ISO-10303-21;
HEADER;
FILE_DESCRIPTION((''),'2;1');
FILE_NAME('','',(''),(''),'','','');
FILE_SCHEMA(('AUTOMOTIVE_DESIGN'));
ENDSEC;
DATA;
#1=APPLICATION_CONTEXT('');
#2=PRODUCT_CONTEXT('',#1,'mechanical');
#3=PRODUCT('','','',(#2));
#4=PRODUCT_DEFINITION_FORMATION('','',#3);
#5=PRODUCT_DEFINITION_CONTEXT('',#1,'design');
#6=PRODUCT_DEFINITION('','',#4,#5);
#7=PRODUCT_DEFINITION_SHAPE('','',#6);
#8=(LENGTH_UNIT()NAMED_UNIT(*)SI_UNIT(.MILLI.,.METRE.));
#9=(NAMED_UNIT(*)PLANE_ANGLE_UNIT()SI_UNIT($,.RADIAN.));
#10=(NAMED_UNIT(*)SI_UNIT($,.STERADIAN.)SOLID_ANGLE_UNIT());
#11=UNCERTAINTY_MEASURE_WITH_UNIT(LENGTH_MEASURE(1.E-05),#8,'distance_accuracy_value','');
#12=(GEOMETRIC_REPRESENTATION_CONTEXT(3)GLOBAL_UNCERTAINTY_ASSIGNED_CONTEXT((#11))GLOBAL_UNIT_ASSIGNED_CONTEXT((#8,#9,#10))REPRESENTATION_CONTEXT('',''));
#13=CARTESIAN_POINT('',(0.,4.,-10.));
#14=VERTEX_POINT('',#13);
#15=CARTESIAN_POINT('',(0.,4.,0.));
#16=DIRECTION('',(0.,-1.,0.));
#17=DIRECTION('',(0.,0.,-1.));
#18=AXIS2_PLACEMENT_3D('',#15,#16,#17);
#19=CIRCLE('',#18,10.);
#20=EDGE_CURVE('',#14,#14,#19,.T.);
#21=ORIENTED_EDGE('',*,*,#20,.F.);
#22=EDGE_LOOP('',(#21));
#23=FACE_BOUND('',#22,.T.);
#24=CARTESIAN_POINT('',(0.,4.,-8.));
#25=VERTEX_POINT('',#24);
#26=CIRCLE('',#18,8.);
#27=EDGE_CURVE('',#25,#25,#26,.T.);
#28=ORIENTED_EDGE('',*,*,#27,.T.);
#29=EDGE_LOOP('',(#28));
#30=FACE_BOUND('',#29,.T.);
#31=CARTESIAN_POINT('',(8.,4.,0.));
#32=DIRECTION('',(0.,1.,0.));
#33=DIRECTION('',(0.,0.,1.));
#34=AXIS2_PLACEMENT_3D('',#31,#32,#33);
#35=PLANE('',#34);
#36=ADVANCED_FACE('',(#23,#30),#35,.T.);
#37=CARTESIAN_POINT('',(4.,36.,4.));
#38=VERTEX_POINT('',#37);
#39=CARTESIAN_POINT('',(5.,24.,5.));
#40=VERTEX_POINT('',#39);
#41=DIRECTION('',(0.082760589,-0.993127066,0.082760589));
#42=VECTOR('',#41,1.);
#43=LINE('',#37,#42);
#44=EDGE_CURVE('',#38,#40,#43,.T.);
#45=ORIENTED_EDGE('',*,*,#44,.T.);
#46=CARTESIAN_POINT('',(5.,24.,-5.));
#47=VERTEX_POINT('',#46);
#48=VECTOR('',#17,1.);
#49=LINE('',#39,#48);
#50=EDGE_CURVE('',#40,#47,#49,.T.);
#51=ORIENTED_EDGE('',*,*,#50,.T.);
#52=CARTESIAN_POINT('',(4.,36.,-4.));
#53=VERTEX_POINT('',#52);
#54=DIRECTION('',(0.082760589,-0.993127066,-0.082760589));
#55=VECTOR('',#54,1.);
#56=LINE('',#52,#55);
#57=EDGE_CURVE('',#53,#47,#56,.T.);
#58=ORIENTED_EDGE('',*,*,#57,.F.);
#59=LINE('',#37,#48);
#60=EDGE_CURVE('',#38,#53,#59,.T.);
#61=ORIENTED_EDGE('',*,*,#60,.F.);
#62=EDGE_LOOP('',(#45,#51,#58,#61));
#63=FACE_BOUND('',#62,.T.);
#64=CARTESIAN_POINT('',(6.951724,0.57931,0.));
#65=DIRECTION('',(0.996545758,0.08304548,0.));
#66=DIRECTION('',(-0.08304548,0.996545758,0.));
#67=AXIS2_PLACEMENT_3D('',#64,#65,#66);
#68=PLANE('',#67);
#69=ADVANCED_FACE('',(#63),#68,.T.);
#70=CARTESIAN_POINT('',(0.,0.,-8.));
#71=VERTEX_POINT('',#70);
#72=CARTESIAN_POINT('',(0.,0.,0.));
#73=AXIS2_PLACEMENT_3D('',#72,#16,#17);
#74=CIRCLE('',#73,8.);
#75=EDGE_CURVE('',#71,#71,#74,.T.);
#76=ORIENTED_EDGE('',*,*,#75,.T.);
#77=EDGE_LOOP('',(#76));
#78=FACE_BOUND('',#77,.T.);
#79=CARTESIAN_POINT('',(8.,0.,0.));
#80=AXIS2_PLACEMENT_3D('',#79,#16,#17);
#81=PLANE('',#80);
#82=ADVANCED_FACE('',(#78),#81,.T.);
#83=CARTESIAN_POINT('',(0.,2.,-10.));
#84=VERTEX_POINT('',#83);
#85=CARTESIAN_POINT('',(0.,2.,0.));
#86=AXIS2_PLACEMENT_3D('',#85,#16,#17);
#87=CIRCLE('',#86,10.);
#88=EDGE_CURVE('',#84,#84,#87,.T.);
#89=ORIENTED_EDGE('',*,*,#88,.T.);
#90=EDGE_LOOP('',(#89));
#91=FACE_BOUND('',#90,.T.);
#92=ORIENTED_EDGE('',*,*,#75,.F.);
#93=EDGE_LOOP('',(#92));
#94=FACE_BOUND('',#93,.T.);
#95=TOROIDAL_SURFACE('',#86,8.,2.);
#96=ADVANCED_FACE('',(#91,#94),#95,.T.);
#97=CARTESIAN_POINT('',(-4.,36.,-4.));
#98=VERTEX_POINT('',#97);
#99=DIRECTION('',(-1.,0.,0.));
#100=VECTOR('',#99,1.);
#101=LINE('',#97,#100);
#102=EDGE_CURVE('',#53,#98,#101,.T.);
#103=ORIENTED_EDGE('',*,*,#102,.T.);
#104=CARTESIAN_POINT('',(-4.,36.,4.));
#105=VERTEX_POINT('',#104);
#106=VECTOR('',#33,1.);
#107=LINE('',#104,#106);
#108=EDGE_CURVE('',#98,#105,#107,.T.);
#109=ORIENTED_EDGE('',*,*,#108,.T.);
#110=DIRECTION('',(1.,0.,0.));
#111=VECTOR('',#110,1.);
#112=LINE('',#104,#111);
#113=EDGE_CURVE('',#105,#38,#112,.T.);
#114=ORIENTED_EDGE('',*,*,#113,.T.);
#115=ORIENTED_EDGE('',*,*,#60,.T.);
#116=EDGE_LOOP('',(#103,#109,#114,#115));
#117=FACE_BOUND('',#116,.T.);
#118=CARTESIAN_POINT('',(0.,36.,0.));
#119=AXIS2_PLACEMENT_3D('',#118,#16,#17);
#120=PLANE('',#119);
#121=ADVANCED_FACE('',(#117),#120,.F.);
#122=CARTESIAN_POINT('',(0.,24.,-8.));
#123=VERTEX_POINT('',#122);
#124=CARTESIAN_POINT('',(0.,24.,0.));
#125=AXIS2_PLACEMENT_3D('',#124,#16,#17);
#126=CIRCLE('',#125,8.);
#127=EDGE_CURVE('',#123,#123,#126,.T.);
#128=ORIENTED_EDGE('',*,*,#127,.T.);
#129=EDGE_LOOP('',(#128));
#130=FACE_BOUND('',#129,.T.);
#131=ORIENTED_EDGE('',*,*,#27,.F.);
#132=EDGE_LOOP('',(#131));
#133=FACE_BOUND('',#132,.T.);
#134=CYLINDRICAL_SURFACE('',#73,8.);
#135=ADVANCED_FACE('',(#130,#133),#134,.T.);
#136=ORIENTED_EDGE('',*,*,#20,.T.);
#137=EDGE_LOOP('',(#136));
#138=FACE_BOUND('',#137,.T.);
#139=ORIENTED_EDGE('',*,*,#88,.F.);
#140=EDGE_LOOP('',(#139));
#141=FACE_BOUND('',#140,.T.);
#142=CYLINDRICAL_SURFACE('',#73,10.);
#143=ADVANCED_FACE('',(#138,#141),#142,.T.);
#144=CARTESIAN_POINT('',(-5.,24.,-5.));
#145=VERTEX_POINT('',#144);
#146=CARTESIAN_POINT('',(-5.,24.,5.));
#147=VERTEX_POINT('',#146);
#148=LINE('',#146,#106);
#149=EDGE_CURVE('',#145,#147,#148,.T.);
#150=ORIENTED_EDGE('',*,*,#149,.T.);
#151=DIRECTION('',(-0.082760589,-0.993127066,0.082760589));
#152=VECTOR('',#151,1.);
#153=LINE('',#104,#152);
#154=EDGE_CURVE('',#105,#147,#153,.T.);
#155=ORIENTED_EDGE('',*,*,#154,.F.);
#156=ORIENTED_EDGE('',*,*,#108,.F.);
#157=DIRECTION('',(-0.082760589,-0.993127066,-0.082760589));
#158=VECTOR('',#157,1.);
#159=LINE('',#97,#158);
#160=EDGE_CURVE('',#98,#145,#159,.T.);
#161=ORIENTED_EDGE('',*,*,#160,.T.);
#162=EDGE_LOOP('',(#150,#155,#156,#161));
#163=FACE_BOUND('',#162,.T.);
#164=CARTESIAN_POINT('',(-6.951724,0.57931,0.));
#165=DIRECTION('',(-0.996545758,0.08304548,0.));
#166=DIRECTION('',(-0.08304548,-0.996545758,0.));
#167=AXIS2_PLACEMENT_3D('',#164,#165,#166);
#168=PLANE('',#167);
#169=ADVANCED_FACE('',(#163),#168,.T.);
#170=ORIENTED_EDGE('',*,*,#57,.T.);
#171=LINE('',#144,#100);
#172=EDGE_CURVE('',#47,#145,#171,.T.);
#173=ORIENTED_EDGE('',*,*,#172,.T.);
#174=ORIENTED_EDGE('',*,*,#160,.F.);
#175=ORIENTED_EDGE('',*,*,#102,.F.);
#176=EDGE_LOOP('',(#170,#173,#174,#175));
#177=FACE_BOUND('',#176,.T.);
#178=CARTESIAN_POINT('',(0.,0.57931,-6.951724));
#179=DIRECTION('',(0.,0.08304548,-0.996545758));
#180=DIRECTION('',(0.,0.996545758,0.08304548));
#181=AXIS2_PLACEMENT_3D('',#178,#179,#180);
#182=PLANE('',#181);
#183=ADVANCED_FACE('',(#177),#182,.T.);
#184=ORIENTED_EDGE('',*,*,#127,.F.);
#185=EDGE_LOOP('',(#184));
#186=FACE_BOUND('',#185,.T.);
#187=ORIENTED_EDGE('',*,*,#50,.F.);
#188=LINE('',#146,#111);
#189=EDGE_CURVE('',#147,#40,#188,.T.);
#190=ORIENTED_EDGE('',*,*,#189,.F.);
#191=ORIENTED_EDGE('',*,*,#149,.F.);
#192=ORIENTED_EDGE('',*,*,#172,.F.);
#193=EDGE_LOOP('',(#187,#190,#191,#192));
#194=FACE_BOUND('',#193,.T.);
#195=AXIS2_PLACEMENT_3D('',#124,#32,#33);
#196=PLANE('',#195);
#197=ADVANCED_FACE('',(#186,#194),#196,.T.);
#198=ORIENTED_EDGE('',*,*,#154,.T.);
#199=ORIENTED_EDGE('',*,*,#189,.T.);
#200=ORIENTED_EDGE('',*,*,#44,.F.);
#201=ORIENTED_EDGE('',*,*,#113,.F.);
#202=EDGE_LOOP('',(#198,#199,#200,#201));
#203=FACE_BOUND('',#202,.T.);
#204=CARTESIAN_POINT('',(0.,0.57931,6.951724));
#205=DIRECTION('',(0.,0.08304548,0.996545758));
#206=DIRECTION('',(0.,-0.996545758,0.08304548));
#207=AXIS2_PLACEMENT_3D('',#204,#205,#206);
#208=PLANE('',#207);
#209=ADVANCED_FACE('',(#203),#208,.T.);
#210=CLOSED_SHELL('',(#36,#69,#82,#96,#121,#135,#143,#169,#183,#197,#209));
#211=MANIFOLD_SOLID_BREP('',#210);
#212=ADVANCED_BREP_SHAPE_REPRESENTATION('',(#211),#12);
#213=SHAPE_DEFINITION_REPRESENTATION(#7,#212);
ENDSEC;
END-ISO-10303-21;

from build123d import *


with BuildPart() as part:
    # Sketch1 → Revolve1 (revolve)
    with BuildSketch(Plane.XY, mode=Mode.PRIVATE) as revolve1_sk:
        with BuildLine():
            Line((0, 0), (0, 24))
            Line((0, 24), (8, 24))
            Line((8, 24), (8, 4))
            Line((8, 4), (10, 4))
            Line((10, 4), (10, 2))
            ThreePointArc((10, 2), (9.414213562, 0.585786438), (8, 0))
            Line((8, 0), (0, 0))
        make_face()
    revolve(revolve1_sk.sketch.rotate(Axis((0, 0, 0), (0, 1, 0)), 90), axis=Axis((0, 0, 0), (0, 1, 0)))

    # Sketch3 → Loft1 section 0
    with BuildSketch(Plane(origin=(0, 36, 0), x_dir=(1, 0, 0), z_dir=(0, 1, 0))):
        with BuildLine():
            Line((-4, -4), (4, -4))
            Line((4, -4), (4, 4))
            Line((4, 4), (-4, 4))
            Line((-4, 4), (-4, -4))
        make_face()
    # Sketch2 → Loft1 section 1
    with BuildSketch(Plane(origin=(0, 24, 0), x_dir=(1, 0, 0), z_dir=(0, 1, 0))):
        with BuildLine():
            Line((-5, -5), (5, -5))
            Line((5, -5), (5, 5))
            Line((5, 5), (-5, 5))
            Line((-5, 5), (-5, -5))
        make_face()
    loft()


solid = part.part
